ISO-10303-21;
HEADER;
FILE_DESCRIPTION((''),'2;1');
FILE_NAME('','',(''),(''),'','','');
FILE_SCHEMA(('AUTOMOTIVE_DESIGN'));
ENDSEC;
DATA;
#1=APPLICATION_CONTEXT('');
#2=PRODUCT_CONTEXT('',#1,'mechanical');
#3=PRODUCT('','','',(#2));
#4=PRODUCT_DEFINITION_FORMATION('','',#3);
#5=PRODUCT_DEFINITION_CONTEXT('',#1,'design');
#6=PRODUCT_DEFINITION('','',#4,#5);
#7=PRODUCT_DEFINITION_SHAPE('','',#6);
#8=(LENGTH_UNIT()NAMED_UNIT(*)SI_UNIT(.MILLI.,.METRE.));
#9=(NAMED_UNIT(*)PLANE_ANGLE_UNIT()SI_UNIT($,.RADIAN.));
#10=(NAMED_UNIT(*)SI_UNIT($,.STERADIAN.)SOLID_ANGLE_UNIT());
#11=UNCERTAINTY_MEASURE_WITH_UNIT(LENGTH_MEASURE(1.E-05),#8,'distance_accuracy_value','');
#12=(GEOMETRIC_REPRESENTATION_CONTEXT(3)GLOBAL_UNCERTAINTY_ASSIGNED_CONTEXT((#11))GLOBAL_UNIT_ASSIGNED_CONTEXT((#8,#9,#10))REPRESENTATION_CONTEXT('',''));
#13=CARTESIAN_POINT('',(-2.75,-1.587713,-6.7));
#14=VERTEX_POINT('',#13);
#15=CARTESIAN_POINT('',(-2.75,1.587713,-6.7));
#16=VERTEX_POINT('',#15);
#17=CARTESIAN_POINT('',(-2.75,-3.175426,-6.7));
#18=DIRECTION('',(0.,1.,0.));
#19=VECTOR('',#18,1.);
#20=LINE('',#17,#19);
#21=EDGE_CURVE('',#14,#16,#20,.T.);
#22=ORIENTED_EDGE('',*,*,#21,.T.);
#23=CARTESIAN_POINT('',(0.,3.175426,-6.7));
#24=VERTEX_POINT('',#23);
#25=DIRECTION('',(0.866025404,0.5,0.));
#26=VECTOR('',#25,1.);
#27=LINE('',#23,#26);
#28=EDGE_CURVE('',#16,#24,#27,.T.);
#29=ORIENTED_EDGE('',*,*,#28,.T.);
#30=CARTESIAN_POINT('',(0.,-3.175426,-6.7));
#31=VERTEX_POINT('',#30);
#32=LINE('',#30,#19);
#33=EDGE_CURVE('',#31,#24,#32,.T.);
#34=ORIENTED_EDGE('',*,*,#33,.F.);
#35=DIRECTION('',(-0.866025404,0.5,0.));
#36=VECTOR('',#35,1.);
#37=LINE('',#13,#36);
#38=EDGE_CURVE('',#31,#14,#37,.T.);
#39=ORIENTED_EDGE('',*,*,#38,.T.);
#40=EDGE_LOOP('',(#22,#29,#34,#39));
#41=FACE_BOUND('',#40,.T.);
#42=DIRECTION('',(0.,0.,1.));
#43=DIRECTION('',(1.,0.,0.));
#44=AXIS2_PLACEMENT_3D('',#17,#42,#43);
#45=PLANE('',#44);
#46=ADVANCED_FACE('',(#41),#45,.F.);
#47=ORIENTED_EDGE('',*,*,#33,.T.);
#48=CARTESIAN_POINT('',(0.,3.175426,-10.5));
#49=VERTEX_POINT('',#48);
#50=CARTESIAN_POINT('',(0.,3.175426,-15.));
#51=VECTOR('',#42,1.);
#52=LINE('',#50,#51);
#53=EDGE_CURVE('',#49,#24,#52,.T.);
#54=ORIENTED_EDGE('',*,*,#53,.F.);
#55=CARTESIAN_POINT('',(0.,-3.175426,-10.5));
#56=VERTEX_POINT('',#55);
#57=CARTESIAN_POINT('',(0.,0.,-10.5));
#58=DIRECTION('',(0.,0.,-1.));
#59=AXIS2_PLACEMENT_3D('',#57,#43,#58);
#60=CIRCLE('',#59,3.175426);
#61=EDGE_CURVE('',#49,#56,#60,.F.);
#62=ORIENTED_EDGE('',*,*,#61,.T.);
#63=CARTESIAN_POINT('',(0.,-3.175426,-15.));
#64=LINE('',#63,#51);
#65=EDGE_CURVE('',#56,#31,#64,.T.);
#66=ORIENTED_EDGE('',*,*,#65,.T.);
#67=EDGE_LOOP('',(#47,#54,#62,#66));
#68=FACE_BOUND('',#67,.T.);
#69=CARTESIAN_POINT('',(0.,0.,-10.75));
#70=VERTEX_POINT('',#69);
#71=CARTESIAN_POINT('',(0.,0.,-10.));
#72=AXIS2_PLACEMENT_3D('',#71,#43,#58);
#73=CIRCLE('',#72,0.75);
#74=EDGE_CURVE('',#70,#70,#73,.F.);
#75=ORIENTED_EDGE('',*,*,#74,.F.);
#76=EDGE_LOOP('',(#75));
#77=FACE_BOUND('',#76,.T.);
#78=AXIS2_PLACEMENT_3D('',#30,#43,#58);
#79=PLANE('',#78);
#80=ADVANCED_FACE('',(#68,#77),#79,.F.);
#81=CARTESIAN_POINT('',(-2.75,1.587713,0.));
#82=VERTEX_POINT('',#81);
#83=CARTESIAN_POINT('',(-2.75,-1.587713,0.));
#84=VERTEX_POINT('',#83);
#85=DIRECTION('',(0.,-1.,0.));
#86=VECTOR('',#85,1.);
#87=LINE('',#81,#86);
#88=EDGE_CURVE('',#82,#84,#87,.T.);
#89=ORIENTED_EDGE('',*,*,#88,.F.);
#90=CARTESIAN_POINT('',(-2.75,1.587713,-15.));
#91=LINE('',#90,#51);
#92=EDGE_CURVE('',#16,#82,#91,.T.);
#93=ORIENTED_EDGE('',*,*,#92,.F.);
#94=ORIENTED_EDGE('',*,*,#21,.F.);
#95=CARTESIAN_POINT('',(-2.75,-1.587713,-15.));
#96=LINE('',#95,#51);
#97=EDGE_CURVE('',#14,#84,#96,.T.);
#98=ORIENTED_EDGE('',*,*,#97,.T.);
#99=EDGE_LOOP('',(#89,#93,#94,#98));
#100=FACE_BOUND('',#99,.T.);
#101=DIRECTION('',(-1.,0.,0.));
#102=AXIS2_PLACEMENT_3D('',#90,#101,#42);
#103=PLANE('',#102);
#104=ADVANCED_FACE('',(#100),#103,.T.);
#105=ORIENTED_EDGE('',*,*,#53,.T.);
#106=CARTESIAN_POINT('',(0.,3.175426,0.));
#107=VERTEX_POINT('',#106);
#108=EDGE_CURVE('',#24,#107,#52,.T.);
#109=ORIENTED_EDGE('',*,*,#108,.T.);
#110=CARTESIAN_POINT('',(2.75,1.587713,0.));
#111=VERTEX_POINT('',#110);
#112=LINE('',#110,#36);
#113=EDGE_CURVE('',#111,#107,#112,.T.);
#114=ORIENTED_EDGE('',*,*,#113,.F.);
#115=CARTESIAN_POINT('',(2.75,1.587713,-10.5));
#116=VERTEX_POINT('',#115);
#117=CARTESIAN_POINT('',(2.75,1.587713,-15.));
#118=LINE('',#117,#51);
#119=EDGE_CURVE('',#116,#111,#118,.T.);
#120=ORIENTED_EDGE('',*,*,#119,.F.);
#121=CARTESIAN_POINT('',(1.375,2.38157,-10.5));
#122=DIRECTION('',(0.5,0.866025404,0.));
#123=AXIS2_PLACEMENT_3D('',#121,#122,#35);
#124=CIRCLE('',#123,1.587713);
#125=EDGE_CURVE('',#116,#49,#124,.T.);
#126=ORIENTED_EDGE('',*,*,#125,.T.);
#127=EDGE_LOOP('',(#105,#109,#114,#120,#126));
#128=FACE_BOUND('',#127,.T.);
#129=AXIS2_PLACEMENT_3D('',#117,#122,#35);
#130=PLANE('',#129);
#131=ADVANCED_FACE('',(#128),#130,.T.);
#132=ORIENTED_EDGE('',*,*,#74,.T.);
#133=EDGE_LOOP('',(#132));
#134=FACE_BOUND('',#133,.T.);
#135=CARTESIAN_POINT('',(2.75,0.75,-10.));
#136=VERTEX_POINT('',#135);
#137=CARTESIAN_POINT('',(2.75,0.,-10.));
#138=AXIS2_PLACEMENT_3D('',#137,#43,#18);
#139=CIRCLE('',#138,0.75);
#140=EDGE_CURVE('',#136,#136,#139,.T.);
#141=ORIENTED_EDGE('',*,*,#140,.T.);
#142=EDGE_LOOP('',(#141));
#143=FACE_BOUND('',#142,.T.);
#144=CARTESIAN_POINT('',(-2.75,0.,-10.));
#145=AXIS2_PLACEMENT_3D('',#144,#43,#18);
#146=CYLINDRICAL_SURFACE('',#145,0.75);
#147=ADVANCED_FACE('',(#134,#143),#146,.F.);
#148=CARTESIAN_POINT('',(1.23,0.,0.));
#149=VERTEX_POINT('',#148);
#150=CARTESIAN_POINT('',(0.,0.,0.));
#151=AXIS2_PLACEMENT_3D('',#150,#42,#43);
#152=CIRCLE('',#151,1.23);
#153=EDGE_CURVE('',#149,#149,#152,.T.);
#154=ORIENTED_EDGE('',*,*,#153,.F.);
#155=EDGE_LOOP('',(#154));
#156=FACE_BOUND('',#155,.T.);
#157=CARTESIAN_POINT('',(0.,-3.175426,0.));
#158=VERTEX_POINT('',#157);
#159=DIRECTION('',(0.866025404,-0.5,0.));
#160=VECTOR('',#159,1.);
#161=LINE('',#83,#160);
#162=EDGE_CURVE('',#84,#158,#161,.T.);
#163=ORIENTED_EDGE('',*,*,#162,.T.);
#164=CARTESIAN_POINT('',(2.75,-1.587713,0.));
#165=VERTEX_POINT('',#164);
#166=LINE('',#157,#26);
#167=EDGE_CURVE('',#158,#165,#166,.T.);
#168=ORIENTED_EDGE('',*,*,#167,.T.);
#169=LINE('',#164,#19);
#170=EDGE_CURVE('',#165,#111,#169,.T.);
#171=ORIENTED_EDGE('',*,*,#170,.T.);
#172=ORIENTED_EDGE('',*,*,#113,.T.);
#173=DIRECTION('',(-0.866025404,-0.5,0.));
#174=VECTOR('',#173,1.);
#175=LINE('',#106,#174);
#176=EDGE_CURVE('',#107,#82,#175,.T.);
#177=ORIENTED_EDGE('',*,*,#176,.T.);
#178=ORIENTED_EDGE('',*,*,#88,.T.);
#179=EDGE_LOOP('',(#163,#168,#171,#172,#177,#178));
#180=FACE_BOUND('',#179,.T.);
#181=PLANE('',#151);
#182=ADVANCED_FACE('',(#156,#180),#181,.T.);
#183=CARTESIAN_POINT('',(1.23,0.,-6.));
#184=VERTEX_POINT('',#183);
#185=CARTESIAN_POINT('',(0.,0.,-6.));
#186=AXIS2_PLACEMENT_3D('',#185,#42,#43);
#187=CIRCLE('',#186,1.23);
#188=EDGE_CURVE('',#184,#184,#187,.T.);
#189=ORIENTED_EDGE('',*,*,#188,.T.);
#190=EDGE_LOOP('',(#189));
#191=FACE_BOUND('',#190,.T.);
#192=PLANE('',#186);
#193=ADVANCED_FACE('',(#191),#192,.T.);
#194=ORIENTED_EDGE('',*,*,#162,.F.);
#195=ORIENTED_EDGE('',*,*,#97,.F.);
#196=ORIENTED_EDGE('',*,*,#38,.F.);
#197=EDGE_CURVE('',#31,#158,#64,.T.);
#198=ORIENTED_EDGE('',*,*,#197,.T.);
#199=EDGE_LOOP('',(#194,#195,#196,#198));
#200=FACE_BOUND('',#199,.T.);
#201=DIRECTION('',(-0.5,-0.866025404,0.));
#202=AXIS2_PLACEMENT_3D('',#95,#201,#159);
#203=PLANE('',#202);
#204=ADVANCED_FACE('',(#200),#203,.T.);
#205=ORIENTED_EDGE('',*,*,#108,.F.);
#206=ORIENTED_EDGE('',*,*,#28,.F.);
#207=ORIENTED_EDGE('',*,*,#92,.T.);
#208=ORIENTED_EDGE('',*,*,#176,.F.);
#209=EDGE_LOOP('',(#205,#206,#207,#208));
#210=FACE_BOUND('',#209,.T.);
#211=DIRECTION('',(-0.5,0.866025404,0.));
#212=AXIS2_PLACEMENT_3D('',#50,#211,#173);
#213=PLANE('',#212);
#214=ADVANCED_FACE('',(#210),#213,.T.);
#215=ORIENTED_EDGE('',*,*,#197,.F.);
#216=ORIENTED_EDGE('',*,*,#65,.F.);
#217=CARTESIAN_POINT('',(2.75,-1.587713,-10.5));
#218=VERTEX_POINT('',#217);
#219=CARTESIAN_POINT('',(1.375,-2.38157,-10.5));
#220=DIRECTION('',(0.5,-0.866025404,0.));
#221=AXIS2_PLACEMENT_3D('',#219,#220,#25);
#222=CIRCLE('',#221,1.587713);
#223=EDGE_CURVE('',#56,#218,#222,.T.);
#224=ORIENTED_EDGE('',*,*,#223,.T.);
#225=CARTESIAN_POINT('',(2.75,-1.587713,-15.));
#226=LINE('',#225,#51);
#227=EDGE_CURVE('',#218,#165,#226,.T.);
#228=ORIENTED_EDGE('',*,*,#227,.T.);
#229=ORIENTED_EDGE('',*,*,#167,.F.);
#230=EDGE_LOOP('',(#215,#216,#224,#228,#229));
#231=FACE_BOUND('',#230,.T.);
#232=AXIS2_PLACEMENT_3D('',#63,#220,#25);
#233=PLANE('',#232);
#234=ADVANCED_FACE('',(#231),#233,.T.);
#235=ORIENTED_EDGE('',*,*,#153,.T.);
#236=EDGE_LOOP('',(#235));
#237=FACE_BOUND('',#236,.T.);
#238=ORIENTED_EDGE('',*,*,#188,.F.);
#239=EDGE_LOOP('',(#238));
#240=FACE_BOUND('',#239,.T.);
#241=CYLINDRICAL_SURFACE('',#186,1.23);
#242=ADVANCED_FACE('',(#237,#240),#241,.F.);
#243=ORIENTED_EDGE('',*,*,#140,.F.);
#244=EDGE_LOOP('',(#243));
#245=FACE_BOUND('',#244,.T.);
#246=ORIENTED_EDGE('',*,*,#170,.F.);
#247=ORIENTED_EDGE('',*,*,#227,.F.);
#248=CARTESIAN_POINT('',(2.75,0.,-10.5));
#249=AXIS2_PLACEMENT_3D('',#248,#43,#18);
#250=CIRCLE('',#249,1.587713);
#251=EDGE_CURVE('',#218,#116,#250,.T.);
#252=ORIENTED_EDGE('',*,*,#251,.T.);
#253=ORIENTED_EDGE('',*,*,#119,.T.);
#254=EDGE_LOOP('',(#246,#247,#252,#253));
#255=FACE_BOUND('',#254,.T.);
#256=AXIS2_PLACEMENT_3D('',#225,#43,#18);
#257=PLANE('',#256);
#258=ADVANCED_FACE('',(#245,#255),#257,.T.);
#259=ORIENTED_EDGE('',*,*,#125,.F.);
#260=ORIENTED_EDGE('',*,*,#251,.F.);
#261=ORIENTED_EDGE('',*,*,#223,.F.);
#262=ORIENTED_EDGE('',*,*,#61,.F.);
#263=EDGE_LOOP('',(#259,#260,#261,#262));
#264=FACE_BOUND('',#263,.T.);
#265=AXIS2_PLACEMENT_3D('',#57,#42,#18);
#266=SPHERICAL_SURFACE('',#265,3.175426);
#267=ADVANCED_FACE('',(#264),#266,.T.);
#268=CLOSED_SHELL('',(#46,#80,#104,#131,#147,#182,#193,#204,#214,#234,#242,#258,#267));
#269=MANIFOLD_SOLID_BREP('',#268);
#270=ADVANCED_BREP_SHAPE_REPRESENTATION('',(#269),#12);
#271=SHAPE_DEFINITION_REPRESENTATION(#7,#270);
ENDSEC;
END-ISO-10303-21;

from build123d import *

# Parameters (mm, degrees)
AUFSATZ_LINEAR_AUSTRAGEN1_DEPTH      = 15
SKIZZE1_3_OUTSIDE_W                  = 10.938
SKIZZE1_3_OUTSIDE_H                  = 11.788
SKIZZE1_3_OUTSIDE_R                  = 1.23
SCHNITT_LINEAR_AUSTRAGEN3_DEPTH      = 6
SKIZZE3_R                            = 0.75
SCHNITT_LINEAR_AUSTRAGEN1_DEPTH      = 16.078150509
SCHNITT_LINEAR_AUSTRAGEN2_DEPTH      = 15.306051963
SCHNITT_LINEAR_AUSTRAGEN2_DEPTH_BACK = 15.306051963
SKIZZE4_W                            = 2.75
SKIZZE4_H                            = 6.975426481


with BuildPart() as part:
    # Skizze1 → Aufsatz-Linear austragen1 (new body)
    with BuildSketch(Plane.XY):
        Polygon((-2.75, 1.58771324), (-2.75, -1.58771324), (0, -3.175426481), (2.75, -1.58771324), (2.75, 1.58771324), (0, 3.175426481), align=None)
    extrude(amount=-AUFSATZ_LINEAR_AUSTRAGEN1_DEPTH)

    # Skizze1<3> outside → Schnitt-Linear austragen3 (cut)
    # profile 1 of 2: a face of its own
    with BuildSketch(Plane.XY):
        Rectangle(SKIZZE1_3_OUTSIDE_W, SKIZZE1_3_OUTSIDE_H)
        Polygon((-2.75, 1.58771324), (-2.75, -1.58771324), (0, -3.175426481), (2.75, -1.58771324), (2.75, 1.58771324), (0, 3.175426481), align=None, mode=Mode.SUBTRACT)
    # profile 2 of 2: a face of its own
    with BuildSketch(Plane.XY):
        Circle(SKIZZE1_3_OUTSIDE_R)
    extrude(amount=-SCHNITT_LINEAR_AUSTRAGEN3_DEPTH, mode=Mode.SUBTRACT)

    # Skizze2 → Schnitt-Rotation1 (revolve, cut)
    with BuildSketch(Plane(origin=(0, 0, 0), x_dir=(0, 0, -1), z_dir=(1, 0, 0))):
        with BuildLine():
            Line((10.5, 3.175426481), (10.5, 5))
            Line((10.5, 5), (15, 5))
            Line((15, 5), (15, 0))
            Line((15, 0), (13.675426481, 0))
            ThreePointArc((13.675426481, 0), (12.745365598, 2.245365598), (10.5, 3.175426481))
        make_face()
    revolve(axis=Axis((0, 0, 0), (0, 0, -1)), mode=Mode.SUBTRACT)

    # Skizze3 → Schnitt-Linear austragen1 (cut, through all)
    with BuildSketch(Plane(origin=(2.75, 0, 0), x_dir=(0, 0, -1), z_dir=(1, 0, 0))):
        with Locations((10, 0)):
            Circle(SKIZZE3_R)
    extrude(amount=-SCHNITT_LINEAR_AUSTRAGEN1_DEPTH, mode=Mode.SUBTRACT)

    # Skizze4 → Schnitt-Linear austragen2 (cut, two sides: drawn at the far end of the back side and taken through both)
    with BuildSketch(Plane(origin=(0, 0, 0), x_dir=(1, 0, 0), z_dir=(0, 1, 0)).offset(-SCHNITT_LINEAR_AUSTRAGEN2_DEPTH_BACK)):
        with Locations((-1.375, 10.187713241)):
            Rectangle(SKIZZE4_W, SKIZZE4_H)
    extrude(amount=SCHNITT_LINEAR_AUSTRAGEN2_DEPTH + SCHNITT_LINEAR_AUSTRAGEN2_DEPTH_BACK, mode=Mode.SUBTRACT)


solid = part.part
